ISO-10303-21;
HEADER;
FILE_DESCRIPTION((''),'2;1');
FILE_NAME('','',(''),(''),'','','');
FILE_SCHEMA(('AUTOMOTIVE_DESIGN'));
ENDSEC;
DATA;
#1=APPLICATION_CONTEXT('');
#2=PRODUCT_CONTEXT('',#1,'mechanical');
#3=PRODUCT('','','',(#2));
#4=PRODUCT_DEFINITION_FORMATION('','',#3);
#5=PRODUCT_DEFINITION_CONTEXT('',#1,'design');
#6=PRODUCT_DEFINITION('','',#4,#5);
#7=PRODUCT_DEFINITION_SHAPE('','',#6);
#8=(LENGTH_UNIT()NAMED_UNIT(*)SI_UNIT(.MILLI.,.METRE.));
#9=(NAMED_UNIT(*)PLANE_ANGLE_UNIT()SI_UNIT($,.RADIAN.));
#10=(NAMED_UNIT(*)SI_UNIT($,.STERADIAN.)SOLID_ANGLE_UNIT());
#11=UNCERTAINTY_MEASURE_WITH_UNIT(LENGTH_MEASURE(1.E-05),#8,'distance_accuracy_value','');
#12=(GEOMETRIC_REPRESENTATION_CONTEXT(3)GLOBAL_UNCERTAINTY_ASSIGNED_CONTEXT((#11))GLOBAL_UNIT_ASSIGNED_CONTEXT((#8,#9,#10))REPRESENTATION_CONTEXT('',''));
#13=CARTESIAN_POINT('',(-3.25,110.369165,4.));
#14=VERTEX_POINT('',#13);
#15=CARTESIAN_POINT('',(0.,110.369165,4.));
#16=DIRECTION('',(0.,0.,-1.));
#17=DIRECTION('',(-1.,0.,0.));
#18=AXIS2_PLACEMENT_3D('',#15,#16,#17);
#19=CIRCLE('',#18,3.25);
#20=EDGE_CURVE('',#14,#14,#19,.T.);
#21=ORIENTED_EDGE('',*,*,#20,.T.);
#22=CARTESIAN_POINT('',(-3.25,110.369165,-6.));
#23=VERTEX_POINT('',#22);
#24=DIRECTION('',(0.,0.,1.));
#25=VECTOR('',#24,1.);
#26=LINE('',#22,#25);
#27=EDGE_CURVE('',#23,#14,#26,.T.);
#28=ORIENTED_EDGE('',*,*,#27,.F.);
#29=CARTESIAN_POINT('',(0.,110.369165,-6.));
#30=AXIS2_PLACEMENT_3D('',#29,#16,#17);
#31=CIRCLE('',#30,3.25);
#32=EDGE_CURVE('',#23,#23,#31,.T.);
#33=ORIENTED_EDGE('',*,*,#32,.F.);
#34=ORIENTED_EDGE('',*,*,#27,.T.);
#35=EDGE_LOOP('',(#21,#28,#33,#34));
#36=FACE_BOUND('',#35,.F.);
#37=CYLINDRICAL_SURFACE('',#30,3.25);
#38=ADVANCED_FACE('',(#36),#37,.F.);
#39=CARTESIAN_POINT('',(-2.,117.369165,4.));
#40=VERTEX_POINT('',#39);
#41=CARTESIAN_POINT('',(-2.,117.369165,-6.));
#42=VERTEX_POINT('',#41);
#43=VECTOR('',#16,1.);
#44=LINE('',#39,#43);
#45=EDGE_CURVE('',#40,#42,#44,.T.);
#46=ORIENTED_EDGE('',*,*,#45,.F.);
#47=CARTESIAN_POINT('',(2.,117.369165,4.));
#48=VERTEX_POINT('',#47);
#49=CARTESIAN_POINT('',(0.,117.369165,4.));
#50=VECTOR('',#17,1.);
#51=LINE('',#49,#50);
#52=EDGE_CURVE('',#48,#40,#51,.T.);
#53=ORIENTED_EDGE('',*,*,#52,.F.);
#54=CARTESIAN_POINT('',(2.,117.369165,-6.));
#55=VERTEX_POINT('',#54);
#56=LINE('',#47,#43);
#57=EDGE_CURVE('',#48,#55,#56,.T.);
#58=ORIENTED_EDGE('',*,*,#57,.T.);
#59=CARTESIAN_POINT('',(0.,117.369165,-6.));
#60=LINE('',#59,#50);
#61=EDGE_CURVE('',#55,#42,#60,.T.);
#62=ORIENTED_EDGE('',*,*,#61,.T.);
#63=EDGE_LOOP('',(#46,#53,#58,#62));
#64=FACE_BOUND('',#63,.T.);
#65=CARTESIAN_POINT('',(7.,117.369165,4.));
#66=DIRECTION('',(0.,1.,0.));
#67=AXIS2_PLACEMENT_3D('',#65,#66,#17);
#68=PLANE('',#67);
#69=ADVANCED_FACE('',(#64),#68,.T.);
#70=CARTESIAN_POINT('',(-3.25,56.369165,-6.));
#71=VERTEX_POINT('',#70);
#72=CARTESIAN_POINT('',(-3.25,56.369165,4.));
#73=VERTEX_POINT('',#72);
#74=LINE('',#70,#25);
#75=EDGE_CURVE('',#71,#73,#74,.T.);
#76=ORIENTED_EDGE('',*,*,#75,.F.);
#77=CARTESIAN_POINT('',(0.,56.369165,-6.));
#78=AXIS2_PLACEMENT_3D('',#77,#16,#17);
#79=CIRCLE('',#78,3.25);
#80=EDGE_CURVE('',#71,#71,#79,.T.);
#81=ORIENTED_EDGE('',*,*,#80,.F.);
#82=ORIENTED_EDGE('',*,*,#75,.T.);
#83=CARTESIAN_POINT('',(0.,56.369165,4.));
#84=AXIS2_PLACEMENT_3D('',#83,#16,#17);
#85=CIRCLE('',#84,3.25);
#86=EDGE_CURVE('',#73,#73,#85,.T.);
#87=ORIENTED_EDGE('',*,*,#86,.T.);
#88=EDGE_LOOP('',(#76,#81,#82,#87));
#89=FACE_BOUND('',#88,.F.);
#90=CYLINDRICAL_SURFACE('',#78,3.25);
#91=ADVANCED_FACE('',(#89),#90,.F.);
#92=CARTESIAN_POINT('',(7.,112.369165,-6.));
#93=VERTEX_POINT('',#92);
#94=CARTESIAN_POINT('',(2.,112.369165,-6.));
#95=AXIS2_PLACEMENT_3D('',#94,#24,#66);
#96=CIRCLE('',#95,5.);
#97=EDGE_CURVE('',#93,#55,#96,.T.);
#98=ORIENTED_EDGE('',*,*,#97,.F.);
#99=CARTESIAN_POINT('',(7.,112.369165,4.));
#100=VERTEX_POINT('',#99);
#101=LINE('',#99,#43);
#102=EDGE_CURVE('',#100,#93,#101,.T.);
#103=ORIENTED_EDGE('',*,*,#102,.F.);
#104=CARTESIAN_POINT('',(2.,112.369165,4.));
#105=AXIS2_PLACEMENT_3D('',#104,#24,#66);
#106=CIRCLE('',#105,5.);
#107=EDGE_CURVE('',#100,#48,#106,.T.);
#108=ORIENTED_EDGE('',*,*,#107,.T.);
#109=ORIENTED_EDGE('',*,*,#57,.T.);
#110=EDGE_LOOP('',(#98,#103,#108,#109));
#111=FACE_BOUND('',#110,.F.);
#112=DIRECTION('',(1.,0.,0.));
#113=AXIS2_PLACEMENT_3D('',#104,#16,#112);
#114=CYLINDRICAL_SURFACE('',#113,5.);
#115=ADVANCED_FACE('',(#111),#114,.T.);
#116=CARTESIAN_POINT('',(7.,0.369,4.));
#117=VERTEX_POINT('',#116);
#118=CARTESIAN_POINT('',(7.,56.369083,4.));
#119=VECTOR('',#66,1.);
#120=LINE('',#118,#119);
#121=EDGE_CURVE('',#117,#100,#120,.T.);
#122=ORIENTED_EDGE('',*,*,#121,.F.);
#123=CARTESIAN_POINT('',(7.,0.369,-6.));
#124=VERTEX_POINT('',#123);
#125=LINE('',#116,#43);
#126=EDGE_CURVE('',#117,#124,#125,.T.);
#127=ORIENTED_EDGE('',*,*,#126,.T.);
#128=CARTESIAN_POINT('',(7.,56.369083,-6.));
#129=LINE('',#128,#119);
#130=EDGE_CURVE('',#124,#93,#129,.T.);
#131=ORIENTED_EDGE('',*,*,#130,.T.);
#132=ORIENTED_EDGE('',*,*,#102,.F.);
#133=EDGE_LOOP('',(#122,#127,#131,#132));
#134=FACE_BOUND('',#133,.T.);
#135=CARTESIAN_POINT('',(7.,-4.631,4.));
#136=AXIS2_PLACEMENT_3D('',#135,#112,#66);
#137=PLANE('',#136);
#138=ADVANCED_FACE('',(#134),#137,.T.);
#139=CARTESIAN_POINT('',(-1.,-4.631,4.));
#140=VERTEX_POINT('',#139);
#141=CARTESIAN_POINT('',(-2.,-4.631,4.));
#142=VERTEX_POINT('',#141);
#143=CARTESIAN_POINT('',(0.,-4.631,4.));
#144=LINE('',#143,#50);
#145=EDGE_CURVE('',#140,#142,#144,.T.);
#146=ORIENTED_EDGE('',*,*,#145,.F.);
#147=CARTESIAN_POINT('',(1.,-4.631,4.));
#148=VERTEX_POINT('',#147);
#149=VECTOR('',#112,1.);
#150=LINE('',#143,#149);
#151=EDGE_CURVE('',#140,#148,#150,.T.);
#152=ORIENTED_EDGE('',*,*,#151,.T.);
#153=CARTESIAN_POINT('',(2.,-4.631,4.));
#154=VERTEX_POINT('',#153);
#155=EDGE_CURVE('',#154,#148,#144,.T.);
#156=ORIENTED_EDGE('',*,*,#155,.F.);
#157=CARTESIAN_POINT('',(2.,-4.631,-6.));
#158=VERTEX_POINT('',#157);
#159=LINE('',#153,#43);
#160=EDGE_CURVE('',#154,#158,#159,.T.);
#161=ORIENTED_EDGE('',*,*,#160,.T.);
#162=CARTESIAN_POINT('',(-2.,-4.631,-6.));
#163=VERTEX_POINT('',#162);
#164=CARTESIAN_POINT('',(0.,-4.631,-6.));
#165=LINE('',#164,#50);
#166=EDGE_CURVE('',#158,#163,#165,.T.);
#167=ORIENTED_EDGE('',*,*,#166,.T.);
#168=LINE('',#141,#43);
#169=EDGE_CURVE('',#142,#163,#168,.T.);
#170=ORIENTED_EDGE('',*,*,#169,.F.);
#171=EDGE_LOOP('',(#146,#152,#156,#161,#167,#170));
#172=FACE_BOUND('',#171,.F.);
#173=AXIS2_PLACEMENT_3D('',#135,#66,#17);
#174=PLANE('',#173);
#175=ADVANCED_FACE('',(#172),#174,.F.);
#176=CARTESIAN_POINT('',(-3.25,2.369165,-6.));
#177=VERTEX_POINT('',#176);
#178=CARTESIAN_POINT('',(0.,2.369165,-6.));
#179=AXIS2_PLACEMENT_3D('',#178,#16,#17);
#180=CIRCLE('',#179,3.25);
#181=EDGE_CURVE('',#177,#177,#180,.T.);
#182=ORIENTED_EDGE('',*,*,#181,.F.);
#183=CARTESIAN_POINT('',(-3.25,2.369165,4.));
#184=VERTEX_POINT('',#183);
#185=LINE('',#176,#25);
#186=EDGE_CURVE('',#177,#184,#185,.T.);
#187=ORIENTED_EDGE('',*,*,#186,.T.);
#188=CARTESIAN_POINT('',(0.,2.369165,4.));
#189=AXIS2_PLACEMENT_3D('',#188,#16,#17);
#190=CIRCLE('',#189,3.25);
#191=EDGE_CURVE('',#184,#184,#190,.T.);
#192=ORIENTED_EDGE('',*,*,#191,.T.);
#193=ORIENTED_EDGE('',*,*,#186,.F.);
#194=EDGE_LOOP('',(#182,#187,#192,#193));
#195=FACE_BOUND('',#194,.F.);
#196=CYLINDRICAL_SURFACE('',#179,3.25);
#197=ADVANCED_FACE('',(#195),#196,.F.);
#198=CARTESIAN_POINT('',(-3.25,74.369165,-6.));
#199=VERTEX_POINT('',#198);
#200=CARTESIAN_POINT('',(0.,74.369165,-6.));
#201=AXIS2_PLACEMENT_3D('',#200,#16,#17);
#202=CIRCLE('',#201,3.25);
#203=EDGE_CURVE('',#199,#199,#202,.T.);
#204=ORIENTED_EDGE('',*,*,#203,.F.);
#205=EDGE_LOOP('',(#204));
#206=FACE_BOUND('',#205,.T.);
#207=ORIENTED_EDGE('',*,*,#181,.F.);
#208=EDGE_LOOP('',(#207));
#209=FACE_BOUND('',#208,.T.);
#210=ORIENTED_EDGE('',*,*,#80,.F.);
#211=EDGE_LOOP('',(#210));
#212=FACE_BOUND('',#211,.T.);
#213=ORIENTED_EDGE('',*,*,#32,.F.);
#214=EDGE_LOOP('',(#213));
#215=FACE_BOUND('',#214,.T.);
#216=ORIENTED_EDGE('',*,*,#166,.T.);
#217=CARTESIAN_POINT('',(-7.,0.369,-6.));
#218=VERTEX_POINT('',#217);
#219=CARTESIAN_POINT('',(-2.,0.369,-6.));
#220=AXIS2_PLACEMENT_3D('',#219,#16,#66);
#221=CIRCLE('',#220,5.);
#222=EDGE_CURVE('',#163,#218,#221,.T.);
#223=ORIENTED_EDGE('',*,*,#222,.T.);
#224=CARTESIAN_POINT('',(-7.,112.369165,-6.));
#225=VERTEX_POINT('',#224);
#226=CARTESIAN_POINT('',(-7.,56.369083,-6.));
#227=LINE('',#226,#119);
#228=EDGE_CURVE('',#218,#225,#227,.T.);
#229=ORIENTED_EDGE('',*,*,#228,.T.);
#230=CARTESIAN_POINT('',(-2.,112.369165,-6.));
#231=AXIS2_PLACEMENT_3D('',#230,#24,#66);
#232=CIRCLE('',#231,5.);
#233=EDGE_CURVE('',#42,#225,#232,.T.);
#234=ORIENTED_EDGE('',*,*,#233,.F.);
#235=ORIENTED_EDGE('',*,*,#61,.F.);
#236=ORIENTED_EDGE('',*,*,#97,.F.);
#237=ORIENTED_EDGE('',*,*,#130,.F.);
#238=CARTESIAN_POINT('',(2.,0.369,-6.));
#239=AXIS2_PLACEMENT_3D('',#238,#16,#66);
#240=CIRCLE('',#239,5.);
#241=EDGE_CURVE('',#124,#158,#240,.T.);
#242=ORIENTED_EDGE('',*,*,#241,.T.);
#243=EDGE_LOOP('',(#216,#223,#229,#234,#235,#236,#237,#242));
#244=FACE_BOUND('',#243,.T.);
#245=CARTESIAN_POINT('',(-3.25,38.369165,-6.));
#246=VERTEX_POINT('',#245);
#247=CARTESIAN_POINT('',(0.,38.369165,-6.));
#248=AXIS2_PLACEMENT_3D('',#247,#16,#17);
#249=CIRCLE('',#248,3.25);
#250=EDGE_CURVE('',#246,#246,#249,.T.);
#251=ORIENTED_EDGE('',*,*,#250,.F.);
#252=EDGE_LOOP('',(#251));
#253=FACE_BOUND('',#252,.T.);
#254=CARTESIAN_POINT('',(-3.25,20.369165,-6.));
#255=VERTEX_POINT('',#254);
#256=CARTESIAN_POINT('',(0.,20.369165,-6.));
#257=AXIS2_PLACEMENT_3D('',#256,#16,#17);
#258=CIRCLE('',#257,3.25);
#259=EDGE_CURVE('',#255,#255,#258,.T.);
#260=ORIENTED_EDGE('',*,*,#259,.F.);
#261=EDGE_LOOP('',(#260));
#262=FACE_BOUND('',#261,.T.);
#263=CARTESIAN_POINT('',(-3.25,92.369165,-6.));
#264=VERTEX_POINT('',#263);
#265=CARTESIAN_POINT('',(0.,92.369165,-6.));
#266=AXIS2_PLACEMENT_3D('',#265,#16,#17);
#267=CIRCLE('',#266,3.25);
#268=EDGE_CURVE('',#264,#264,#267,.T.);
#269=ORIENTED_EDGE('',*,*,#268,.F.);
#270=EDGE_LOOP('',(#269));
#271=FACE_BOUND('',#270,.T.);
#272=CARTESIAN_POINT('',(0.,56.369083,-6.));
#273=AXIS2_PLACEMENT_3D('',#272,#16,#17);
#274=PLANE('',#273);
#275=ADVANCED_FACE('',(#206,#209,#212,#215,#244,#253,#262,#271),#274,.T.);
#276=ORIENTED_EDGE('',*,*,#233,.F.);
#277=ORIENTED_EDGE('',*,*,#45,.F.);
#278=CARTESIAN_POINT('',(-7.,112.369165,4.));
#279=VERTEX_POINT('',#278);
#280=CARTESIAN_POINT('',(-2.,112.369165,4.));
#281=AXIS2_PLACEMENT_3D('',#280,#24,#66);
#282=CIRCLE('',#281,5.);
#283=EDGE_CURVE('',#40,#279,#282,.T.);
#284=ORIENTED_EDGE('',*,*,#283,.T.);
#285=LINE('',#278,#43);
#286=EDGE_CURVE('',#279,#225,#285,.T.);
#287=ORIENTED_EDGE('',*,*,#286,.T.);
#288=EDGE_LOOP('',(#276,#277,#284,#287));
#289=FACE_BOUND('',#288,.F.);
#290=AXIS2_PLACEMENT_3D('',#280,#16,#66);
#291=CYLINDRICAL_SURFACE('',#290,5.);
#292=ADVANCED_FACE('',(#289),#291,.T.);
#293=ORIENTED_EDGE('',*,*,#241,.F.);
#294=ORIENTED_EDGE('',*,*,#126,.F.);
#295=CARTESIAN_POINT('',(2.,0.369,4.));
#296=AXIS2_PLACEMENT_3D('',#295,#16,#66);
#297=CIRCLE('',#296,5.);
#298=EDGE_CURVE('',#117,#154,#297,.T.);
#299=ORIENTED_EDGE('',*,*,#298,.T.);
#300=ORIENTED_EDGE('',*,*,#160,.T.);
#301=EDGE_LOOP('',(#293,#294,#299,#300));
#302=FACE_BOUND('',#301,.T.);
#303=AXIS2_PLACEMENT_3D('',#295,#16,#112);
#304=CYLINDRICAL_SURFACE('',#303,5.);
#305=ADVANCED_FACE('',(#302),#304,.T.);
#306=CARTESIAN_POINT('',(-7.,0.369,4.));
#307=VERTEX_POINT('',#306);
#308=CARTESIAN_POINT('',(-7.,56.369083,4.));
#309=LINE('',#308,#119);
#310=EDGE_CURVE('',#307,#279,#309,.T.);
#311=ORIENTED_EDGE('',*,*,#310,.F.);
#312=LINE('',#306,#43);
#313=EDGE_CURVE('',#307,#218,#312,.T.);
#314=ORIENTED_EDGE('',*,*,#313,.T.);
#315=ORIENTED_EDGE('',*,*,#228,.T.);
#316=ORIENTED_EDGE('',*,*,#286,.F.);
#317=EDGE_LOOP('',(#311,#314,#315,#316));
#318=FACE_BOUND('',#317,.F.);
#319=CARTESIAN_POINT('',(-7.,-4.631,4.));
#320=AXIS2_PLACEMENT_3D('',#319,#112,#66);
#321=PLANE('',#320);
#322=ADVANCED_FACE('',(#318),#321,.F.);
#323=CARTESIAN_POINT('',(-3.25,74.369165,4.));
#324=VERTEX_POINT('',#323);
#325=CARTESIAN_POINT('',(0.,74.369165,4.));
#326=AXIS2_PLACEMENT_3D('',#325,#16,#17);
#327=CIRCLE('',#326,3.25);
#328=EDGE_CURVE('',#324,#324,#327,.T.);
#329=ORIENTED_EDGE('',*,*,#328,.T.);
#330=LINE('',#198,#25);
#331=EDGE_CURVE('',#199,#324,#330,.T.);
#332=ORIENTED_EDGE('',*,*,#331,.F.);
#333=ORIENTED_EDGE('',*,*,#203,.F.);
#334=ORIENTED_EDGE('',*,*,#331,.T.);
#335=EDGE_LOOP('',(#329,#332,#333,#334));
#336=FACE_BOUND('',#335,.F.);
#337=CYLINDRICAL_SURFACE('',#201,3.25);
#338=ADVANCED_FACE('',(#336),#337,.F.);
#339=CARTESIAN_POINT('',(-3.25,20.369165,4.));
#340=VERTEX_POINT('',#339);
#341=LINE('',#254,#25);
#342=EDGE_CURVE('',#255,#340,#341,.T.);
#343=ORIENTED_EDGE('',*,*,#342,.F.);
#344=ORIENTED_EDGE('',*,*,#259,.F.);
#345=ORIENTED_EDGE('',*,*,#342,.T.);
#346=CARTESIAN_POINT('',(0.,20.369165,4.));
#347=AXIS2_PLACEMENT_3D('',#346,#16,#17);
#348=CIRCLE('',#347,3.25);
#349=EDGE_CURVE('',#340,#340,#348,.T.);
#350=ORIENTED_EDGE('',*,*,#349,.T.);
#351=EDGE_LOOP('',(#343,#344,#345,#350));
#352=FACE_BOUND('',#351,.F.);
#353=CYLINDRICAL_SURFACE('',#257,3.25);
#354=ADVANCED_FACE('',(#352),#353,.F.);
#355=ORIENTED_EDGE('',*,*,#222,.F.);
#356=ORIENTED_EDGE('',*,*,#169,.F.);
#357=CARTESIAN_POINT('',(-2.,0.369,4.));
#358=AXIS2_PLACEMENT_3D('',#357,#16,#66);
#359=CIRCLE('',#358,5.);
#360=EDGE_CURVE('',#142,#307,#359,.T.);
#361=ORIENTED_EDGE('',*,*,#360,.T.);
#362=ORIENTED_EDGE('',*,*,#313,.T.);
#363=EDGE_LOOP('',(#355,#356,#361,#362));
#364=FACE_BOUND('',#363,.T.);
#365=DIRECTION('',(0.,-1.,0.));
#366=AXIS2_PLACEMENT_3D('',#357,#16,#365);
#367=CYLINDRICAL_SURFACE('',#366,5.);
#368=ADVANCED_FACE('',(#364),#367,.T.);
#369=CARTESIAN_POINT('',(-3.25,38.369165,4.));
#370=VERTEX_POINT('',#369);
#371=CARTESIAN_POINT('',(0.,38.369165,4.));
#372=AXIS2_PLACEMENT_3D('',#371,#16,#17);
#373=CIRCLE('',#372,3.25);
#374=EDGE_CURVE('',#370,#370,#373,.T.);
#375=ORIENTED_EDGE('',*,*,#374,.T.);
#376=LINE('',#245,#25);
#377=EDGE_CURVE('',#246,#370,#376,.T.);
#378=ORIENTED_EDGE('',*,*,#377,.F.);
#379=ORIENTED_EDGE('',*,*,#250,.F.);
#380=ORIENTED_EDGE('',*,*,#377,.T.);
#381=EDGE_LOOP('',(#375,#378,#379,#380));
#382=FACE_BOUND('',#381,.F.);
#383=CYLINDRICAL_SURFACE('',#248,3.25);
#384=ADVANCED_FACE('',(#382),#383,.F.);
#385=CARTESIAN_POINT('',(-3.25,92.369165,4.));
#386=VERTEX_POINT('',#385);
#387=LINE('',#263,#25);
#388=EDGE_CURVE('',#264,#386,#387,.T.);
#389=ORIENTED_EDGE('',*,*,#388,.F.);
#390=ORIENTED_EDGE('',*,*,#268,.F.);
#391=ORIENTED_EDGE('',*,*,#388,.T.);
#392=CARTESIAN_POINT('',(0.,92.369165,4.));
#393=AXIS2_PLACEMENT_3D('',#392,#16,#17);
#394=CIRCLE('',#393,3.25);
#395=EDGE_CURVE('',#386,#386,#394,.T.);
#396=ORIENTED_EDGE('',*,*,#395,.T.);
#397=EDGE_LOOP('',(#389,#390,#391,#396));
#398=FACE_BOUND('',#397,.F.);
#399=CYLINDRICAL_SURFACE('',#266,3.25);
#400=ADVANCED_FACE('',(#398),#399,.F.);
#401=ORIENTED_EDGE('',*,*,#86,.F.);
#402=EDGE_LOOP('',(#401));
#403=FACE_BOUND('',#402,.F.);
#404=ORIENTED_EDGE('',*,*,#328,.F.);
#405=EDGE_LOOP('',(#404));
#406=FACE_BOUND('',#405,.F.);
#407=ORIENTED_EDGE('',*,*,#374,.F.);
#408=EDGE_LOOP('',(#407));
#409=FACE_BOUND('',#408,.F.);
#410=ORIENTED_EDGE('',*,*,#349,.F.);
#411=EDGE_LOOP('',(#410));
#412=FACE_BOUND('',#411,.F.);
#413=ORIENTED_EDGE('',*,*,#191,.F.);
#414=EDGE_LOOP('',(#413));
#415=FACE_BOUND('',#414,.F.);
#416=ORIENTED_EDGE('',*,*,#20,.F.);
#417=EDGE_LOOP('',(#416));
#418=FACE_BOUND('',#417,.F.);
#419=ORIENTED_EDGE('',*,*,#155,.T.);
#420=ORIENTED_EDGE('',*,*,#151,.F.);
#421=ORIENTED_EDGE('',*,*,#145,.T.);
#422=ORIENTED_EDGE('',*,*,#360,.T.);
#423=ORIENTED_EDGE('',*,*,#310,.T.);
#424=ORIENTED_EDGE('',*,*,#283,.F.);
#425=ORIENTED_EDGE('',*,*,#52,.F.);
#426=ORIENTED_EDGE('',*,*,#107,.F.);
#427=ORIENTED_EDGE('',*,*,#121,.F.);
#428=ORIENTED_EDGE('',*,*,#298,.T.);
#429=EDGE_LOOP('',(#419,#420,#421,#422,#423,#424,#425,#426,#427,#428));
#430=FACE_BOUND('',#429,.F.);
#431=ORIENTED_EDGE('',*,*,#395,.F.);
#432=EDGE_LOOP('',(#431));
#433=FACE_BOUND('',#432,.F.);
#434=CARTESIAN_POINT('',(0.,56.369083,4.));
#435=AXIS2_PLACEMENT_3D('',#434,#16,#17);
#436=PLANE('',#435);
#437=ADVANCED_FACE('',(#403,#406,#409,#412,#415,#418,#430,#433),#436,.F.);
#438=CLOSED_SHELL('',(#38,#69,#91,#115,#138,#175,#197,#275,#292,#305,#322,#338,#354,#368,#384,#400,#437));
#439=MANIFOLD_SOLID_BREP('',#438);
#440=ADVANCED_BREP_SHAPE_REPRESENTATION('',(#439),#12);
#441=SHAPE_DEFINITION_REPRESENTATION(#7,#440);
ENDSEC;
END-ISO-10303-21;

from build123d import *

# Parameters (mm, degrees)
SKETCH1_W                = 12
SKETCH1_H                = 109.262
BOSS_EXTRUDE1_DEPTH      = 4
FILLET1_R                = 5
CUT_EXTRUDE1_DEPTH       = 10.5
SKETCH4_W                = 12
SKETCH4_H                = 6.738165359
BOSS_EXTRUDE2_DEPTH      = 4
BOSS_EXTRUDE3_DEPTH      = 6
BOSS_EXTRUDE3_DEPTH_BACK = 4
SKETCH5_W                = 14
SKETCH5_H                = 122.000165359
SKETCH6_R                = 3.25
CUT_EXTRUDE3_DEPTH       = 10
FILLET2_R                = 5
LPATTERN1_COUNT          = 7
LPATTERN1_PITCH          = 18


with BuildPart() as part:
    # Sketch1 → Boss-Extrude1 (new body)
    with BuildSketch(Plane.XY):
        with Locations((0, 50)):
            Rectangle(SKETCH1_W, SKETCH1_H)
    extrude(amount=BOSS_EXTRUDE1_DEPTH)

    # Fillet1
    fillet1_edges = [part.edges().sort_by_distance(p)[0] for p in [
        (-6, -4.631, 2),
        (6, -4.631, 2),
    ]]
    fillet(fillet1_edges, radius=FILLET1_R)

    # Sketch2 → Cut-Extrude1 (cut)
    with BuildSketch(Plane.XY.offset(4)):
        with BuildLine():
            Line((2, 98.631), (2, 1.369))
            ThreePointArc((2, 1.369), (0, -0.631), (-2, 1.369))
            Line((-2, 1.369), (-2, 98.631))
            ThreePointArc((-2, 98.631), (0, 100.631), (2, 98.631))
        make_face()
    extrude(amount=-CUT_EXTRUDE1_DEPTH, mode=Mode.SUBTRACT)

    # Sketch4 → Boss-Extrude2 (add)
    with BuildSketch(Plane.XY.offset(4)):
        with Locations((0, 108.000082679)):
            Rectangle(SKETCH4_W, SKETCH4_H)
    extrude(amount=-BOSS_EXTRUDE2_DEPTH)

    # Sketch5 → Boss-Extrude3 (add, two sides: drawn at the far end of the back side and taken through both)
    with BuildSketch(Plane(origin=(0, 0, 0), x_dir=(-1, 0, 0), z_dir=(0, 0, -1)).offset(-BOSS_EXTRUDE3_DEPTH_BACK)):
        with Locations((0, 56.36908268)):
            Rectangle(SKETCH5_W, SKETCH5_H)
    extrude(amount=BOSS_EXTRUDE3_DEPTH + BOSS_EXTRUDE3_DEPTH_BACK)

    # Sketch6 → Cut-Extrude3 (cut)
    with BuildSketch(Plane(origin=(0, 0, -6), x_dir=(-1, 0, 0), z_dir=(0, 0, -1))):
        with Locations((0, 110.369165359)):
            Circle(SKETCH6_R)
    cut_extrude3 = extrude(amount=-CUT_EXTRUDE3_DEPTH, mode=Mode.SUBTRACT)

    # Fillet2
    fillet2_edges = [part.edges().sort_by_distance(p)[0] for p in [
        (-7, -4.631, -1),
        (-7, 117.369165359, -1),
        (7, 117.369165359, -1),
        (7, -4.631, -1),
    ]]
    fillet(fillet2_edges, radius=FILLET2_R)

    # LPattern1: Cut-Extrude3 ×7
    with Locations(*[(0, -i * LPATTERN1_PITCH, 0) for i in range(1, LPATTERN1_COUNT)]):
        add(cut_extrude3, mode=Mode.SUBTRACT)


solid = part.part
